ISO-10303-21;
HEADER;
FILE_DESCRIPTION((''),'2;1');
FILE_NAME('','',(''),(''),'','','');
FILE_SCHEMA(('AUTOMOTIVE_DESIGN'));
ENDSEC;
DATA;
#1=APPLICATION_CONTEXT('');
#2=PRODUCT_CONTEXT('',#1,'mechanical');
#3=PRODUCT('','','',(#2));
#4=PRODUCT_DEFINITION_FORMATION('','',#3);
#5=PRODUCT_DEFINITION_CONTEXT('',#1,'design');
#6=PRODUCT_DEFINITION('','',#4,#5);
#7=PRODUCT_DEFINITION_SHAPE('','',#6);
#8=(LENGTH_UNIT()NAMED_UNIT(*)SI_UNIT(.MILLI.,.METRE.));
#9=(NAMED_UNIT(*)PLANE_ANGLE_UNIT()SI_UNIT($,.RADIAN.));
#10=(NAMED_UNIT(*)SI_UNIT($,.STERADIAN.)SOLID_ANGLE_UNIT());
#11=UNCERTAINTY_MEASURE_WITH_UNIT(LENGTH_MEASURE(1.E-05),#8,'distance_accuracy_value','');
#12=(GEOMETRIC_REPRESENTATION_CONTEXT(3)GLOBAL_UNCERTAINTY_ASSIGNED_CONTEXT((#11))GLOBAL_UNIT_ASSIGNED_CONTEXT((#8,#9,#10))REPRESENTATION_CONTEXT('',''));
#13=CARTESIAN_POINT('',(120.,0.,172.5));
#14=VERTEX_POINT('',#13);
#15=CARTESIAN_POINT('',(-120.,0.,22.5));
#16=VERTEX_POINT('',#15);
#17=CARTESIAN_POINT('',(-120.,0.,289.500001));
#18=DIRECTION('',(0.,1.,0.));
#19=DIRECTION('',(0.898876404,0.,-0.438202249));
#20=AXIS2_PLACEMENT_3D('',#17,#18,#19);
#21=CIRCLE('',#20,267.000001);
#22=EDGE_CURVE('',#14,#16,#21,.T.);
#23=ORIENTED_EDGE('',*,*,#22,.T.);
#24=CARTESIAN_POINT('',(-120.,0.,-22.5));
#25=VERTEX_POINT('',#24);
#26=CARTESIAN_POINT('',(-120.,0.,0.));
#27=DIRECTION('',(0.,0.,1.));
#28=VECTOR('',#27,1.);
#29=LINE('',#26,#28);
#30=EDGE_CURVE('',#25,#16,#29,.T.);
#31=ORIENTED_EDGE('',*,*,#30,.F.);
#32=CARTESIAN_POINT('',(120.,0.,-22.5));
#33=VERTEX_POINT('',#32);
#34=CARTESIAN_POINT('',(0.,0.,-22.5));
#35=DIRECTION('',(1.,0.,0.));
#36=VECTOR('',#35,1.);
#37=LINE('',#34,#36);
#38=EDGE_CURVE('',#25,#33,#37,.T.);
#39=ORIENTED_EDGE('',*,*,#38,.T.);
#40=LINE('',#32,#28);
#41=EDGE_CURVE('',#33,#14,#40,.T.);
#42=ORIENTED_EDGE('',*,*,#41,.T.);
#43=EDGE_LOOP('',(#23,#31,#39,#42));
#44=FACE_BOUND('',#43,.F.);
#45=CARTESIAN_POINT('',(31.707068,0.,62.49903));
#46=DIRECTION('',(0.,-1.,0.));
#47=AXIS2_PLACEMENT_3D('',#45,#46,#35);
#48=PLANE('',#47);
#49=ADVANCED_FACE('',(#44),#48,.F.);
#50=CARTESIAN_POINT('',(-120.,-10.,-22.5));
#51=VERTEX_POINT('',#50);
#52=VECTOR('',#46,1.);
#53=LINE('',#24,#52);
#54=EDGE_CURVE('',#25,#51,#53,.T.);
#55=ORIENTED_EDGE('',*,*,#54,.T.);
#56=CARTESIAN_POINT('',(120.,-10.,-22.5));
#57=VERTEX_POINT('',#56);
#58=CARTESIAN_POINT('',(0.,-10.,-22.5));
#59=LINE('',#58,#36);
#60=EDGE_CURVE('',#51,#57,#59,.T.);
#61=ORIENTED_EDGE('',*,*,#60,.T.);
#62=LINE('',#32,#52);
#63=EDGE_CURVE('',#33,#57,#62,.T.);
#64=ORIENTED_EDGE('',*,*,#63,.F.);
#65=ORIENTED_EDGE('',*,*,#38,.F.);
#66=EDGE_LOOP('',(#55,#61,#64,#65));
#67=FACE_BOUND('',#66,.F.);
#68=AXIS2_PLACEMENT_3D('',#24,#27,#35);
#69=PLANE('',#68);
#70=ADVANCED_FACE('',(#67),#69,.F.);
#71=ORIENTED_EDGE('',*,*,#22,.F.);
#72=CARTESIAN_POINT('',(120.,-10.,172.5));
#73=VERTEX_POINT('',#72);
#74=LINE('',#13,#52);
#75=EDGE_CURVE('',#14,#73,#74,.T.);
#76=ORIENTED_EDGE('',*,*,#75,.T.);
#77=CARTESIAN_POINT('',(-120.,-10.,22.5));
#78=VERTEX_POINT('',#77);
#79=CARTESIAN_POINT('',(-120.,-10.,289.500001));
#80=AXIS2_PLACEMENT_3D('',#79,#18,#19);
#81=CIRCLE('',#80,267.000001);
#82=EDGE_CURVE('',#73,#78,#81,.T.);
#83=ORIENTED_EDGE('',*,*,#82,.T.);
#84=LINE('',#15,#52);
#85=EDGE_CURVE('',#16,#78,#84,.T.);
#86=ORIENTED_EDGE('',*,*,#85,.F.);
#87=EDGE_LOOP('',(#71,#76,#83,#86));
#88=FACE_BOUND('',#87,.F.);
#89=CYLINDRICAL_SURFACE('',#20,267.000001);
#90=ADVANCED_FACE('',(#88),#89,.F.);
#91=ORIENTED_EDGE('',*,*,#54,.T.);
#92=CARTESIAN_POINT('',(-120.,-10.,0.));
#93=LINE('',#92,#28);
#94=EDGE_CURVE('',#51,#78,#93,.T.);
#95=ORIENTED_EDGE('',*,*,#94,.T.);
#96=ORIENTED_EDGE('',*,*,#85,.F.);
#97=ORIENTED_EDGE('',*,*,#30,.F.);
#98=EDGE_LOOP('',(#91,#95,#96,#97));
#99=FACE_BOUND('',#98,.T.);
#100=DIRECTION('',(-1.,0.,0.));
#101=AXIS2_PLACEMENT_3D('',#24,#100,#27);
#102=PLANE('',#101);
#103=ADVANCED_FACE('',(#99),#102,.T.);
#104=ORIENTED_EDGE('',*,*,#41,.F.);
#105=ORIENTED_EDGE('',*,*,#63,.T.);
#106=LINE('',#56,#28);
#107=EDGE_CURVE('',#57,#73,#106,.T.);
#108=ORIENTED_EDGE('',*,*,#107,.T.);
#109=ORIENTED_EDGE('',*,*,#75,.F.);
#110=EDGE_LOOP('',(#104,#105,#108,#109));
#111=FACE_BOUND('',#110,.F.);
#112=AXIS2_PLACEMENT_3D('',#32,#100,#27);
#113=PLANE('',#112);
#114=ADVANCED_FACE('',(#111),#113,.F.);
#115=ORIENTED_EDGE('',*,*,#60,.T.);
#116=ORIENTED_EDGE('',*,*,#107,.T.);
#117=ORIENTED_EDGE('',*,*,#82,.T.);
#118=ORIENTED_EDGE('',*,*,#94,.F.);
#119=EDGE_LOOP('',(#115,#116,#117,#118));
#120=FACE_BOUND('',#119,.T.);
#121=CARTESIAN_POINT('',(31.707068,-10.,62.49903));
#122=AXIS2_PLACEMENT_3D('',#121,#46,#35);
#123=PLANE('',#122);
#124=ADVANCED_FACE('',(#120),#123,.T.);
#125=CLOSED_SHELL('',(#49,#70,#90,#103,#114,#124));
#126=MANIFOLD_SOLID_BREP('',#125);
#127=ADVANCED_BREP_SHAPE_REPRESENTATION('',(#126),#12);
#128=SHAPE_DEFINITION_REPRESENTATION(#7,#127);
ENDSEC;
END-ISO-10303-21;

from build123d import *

# Parameters (mm, degrees)
F0_W     = 240
F0_H     = 45
F1_DEPTH = 10


with BuildPart() as f1:
    # F0 (on Front) → F1 (new body)
    with BuildSketch(Plane.XZ):
        with BuildLine():
            Line((-120, 22.5), (120, 22.5))
            Line((120, 22.5), (120, 172.5))
            ThreePointArc((120, 172.5), (21.509717, 63.084453), (-120, 22.5))
        make_face()
        Rectangle(F0_W, F0_H)
    extrude(amount=F1_DEPTH)


solid = f1.part
